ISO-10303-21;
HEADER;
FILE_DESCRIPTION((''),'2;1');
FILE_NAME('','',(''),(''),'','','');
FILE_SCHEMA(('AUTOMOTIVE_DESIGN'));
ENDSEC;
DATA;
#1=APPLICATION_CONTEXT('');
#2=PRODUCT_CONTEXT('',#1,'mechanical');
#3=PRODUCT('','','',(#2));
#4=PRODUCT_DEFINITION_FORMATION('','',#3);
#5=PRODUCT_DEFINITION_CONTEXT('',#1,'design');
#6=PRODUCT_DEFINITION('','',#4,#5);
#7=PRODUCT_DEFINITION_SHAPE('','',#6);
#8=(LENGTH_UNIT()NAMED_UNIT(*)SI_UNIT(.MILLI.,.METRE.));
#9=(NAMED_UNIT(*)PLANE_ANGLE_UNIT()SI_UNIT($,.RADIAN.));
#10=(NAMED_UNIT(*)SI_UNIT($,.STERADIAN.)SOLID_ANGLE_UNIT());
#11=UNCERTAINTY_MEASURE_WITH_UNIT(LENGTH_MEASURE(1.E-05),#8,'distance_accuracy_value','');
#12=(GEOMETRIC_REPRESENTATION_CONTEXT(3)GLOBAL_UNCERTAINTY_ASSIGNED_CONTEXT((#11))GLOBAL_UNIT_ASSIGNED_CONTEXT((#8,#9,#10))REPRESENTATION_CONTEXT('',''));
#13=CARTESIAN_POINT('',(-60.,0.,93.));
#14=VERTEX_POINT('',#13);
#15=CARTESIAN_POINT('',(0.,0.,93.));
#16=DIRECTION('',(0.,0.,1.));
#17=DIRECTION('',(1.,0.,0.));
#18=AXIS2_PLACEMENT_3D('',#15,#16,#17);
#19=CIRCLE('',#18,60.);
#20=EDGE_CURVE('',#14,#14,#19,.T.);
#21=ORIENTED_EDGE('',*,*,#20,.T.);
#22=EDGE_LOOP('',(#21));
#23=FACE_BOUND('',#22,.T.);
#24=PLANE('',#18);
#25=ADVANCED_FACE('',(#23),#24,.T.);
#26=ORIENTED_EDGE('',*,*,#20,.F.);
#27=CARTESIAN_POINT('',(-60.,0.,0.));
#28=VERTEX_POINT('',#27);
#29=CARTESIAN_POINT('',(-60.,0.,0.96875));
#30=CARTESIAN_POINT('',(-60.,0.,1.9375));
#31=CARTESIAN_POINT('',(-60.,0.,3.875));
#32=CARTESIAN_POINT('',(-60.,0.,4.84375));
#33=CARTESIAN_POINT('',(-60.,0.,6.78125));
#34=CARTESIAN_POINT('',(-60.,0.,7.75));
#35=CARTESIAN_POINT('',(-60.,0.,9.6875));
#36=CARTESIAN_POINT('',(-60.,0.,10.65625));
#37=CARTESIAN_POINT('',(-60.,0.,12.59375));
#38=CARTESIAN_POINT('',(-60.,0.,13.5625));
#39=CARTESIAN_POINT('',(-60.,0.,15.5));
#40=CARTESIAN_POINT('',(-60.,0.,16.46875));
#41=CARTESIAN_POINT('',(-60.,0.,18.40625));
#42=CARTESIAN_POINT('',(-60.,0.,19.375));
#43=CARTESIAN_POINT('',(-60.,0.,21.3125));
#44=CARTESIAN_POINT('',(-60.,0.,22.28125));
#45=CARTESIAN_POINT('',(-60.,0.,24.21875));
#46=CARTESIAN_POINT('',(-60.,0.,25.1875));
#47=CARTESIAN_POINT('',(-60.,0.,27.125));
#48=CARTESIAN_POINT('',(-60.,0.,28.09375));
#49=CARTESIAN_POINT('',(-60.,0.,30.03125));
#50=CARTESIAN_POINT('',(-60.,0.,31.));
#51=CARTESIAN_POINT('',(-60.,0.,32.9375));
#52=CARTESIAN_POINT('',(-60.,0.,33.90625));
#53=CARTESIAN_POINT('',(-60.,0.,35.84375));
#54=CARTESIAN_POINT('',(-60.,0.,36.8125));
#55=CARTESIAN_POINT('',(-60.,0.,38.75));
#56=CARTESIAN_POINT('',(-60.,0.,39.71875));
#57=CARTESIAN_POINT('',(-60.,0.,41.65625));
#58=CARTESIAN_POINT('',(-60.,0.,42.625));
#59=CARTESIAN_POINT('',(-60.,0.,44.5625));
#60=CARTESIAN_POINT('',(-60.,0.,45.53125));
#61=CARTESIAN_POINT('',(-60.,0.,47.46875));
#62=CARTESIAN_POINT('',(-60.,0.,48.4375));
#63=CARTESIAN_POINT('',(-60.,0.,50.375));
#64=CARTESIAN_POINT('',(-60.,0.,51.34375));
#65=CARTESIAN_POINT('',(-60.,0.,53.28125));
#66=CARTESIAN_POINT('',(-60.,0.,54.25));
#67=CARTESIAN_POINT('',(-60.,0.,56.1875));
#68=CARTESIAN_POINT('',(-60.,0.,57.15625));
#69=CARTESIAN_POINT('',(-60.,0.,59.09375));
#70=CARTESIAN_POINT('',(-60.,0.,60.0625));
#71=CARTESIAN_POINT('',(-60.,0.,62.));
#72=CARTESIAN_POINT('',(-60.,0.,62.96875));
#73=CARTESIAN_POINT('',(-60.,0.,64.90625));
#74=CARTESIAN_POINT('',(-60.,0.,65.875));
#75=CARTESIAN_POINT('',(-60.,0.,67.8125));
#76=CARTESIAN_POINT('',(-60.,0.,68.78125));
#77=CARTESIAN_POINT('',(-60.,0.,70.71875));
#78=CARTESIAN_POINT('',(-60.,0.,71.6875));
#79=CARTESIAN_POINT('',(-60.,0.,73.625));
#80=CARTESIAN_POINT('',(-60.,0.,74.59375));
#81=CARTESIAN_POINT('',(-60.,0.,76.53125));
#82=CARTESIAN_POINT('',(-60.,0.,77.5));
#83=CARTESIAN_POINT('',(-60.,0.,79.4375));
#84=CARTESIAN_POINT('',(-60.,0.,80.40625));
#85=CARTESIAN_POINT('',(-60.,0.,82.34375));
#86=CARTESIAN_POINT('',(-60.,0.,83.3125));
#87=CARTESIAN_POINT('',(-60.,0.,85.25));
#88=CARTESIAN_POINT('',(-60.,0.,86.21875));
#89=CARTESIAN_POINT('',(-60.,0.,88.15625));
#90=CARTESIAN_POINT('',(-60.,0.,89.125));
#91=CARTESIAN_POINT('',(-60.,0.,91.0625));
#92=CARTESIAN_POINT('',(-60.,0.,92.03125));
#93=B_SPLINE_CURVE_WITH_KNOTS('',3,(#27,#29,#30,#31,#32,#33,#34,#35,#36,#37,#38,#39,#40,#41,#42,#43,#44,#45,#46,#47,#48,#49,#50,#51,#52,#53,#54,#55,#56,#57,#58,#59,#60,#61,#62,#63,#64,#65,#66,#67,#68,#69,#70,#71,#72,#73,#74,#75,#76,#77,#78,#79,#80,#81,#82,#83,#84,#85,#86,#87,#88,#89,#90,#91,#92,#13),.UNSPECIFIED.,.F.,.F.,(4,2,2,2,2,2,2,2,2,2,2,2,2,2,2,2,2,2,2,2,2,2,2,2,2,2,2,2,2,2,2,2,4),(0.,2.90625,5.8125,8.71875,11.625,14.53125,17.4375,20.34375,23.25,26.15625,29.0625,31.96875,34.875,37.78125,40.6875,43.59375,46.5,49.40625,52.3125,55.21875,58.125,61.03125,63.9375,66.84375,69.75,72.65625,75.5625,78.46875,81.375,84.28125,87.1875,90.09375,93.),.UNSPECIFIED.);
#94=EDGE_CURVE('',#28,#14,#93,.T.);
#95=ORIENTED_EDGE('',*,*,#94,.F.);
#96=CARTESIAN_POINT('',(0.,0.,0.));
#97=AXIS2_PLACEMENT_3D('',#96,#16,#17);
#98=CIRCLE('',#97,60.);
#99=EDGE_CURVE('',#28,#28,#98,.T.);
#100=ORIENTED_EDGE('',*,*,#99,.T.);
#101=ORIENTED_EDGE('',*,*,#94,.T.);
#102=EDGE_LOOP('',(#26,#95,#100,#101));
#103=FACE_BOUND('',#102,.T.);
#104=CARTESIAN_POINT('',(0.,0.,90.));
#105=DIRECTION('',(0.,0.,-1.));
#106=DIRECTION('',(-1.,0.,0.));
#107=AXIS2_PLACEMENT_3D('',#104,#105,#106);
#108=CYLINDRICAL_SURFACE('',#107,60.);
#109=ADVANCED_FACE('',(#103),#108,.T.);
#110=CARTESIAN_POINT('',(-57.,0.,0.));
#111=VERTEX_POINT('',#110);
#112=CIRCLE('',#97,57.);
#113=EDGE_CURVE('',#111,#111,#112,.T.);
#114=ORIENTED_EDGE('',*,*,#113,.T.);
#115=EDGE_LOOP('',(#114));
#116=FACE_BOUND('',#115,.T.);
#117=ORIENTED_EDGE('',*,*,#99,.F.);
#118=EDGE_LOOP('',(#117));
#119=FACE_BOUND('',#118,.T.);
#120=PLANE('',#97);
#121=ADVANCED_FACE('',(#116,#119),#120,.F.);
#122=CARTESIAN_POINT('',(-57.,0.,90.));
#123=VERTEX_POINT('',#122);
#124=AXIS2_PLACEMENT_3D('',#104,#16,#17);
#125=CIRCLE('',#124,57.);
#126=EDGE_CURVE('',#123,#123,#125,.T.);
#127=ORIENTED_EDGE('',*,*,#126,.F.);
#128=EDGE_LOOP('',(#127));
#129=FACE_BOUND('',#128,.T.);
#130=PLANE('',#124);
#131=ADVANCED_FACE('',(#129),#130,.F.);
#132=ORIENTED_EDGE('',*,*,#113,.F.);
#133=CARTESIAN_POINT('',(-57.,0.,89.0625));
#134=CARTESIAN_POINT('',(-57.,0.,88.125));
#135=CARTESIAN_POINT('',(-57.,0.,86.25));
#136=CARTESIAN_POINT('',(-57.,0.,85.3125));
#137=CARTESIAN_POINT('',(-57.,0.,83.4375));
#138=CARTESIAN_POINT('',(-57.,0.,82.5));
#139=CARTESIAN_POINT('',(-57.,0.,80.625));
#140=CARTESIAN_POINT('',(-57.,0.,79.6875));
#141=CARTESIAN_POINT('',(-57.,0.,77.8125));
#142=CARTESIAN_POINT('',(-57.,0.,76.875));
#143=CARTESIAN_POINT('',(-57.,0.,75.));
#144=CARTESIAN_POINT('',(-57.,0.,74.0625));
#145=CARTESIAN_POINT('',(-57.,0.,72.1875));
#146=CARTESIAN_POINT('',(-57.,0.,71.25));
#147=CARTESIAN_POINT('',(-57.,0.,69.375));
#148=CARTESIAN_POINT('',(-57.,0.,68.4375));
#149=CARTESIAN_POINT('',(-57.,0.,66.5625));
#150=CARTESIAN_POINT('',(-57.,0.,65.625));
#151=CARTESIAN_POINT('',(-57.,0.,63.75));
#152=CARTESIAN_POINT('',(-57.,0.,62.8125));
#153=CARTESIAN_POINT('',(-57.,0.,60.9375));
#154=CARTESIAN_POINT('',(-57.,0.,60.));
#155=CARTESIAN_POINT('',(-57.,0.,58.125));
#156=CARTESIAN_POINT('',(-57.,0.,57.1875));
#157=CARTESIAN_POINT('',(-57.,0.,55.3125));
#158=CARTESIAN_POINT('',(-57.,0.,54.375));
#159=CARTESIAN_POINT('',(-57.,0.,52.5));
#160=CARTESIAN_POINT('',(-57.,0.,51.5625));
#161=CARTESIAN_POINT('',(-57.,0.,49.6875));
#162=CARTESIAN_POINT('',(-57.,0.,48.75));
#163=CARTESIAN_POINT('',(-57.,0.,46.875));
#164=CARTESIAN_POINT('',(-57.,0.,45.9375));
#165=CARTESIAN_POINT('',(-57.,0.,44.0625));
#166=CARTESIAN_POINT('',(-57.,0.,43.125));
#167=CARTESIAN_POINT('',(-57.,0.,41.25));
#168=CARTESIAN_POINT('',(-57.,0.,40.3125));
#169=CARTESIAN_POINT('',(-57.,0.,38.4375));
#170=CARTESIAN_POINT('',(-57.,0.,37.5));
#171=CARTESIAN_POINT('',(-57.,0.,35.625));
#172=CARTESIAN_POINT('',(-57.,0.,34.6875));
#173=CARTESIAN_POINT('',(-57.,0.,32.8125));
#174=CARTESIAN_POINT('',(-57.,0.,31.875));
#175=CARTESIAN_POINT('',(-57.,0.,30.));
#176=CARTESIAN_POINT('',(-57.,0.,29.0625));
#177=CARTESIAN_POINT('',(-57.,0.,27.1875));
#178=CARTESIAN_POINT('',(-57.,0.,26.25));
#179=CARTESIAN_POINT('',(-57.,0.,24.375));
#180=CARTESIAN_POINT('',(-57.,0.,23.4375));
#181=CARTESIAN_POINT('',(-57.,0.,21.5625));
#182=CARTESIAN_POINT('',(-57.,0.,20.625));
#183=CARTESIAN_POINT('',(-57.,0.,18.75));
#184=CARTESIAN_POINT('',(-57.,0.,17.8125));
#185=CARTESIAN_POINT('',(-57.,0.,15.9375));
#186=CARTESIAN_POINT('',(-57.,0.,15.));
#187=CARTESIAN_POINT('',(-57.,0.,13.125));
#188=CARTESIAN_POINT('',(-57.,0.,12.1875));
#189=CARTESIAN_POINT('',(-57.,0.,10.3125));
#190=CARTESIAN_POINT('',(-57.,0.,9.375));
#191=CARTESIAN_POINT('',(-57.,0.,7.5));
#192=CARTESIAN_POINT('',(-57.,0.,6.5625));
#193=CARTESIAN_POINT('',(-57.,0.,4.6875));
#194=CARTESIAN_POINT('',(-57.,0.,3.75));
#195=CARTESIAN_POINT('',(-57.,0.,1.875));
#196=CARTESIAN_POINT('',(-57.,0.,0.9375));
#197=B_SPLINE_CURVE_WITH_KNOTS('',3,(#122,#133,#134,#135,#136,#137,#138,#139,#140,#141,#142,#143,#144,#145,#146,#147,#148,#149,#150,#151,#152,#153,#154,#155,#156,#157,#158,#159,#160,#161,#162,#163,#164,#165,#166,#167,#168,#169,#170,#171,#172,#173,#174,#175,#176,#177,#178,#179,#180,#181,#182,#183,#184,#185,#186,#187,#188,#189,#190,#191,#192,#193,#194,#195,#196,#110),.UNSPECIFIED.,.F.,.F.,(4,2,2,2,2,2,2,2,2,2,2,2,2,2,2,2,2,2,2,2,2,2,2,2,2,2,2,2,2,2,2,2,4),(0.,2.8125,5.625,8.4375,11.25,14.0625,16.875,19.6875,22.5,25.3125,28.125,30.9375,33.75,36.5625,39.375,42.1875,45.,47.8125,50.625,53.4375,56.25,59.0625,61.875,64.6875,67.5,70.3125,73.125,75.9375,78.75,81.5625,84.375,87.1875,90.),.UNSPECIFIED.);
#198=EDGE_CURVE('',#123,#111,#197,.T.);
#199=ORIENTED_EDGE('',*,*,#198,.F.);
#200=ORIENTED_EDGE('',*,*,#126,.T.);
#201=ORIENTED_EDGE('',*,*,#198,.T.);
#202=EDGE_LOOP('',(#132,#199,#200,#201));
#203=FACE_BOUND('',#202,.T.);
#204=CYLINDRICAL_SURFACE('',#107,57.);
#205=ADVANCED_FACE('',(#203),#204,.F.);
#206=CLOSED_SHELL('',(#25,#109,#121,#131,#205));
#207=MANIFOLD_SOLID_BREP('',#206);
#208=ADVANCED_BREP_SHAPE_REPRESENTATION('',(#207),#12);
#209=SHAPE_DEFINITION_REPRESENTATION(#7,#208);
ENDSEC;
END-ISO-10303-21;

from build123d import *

# Parameters (mm, degrees)
SKETCH_1_R      = 60
SKETCH_1_R_2    = 57
EXTRUDE_1_DEPTH = 90
SKETCH_2_R      = 60
EXTRUDE_2_DEPTH = 3


with BuildPart() as part:
    # 스케치1 → 보스-돌출1 (new body)
    with BuildSketch(Plane.XY):
        with Locations(Location((0, 0, 0), (0, 0, 180))):
            Circle(SKETCH_1_R)
        with Locations(Location((0, 0, 0), (0, 0, 180))):
            Circle(SKETCH_1_R_2, mode=Mode.SUBTRACT)
    extrude(amount=EXTRUDE_1_DEPTH)

    # 스케치2 → 보스-돌출2 (add)
    with BuildSketch(Plane.XY.offset(90)):
        with Locations(Location((0, 0, 0), (0, 0, 180))):
            Circle(SKETCH_2_R)
    extrude(amount=EXTRUDE_2_DEPTH)


solid = part.part
